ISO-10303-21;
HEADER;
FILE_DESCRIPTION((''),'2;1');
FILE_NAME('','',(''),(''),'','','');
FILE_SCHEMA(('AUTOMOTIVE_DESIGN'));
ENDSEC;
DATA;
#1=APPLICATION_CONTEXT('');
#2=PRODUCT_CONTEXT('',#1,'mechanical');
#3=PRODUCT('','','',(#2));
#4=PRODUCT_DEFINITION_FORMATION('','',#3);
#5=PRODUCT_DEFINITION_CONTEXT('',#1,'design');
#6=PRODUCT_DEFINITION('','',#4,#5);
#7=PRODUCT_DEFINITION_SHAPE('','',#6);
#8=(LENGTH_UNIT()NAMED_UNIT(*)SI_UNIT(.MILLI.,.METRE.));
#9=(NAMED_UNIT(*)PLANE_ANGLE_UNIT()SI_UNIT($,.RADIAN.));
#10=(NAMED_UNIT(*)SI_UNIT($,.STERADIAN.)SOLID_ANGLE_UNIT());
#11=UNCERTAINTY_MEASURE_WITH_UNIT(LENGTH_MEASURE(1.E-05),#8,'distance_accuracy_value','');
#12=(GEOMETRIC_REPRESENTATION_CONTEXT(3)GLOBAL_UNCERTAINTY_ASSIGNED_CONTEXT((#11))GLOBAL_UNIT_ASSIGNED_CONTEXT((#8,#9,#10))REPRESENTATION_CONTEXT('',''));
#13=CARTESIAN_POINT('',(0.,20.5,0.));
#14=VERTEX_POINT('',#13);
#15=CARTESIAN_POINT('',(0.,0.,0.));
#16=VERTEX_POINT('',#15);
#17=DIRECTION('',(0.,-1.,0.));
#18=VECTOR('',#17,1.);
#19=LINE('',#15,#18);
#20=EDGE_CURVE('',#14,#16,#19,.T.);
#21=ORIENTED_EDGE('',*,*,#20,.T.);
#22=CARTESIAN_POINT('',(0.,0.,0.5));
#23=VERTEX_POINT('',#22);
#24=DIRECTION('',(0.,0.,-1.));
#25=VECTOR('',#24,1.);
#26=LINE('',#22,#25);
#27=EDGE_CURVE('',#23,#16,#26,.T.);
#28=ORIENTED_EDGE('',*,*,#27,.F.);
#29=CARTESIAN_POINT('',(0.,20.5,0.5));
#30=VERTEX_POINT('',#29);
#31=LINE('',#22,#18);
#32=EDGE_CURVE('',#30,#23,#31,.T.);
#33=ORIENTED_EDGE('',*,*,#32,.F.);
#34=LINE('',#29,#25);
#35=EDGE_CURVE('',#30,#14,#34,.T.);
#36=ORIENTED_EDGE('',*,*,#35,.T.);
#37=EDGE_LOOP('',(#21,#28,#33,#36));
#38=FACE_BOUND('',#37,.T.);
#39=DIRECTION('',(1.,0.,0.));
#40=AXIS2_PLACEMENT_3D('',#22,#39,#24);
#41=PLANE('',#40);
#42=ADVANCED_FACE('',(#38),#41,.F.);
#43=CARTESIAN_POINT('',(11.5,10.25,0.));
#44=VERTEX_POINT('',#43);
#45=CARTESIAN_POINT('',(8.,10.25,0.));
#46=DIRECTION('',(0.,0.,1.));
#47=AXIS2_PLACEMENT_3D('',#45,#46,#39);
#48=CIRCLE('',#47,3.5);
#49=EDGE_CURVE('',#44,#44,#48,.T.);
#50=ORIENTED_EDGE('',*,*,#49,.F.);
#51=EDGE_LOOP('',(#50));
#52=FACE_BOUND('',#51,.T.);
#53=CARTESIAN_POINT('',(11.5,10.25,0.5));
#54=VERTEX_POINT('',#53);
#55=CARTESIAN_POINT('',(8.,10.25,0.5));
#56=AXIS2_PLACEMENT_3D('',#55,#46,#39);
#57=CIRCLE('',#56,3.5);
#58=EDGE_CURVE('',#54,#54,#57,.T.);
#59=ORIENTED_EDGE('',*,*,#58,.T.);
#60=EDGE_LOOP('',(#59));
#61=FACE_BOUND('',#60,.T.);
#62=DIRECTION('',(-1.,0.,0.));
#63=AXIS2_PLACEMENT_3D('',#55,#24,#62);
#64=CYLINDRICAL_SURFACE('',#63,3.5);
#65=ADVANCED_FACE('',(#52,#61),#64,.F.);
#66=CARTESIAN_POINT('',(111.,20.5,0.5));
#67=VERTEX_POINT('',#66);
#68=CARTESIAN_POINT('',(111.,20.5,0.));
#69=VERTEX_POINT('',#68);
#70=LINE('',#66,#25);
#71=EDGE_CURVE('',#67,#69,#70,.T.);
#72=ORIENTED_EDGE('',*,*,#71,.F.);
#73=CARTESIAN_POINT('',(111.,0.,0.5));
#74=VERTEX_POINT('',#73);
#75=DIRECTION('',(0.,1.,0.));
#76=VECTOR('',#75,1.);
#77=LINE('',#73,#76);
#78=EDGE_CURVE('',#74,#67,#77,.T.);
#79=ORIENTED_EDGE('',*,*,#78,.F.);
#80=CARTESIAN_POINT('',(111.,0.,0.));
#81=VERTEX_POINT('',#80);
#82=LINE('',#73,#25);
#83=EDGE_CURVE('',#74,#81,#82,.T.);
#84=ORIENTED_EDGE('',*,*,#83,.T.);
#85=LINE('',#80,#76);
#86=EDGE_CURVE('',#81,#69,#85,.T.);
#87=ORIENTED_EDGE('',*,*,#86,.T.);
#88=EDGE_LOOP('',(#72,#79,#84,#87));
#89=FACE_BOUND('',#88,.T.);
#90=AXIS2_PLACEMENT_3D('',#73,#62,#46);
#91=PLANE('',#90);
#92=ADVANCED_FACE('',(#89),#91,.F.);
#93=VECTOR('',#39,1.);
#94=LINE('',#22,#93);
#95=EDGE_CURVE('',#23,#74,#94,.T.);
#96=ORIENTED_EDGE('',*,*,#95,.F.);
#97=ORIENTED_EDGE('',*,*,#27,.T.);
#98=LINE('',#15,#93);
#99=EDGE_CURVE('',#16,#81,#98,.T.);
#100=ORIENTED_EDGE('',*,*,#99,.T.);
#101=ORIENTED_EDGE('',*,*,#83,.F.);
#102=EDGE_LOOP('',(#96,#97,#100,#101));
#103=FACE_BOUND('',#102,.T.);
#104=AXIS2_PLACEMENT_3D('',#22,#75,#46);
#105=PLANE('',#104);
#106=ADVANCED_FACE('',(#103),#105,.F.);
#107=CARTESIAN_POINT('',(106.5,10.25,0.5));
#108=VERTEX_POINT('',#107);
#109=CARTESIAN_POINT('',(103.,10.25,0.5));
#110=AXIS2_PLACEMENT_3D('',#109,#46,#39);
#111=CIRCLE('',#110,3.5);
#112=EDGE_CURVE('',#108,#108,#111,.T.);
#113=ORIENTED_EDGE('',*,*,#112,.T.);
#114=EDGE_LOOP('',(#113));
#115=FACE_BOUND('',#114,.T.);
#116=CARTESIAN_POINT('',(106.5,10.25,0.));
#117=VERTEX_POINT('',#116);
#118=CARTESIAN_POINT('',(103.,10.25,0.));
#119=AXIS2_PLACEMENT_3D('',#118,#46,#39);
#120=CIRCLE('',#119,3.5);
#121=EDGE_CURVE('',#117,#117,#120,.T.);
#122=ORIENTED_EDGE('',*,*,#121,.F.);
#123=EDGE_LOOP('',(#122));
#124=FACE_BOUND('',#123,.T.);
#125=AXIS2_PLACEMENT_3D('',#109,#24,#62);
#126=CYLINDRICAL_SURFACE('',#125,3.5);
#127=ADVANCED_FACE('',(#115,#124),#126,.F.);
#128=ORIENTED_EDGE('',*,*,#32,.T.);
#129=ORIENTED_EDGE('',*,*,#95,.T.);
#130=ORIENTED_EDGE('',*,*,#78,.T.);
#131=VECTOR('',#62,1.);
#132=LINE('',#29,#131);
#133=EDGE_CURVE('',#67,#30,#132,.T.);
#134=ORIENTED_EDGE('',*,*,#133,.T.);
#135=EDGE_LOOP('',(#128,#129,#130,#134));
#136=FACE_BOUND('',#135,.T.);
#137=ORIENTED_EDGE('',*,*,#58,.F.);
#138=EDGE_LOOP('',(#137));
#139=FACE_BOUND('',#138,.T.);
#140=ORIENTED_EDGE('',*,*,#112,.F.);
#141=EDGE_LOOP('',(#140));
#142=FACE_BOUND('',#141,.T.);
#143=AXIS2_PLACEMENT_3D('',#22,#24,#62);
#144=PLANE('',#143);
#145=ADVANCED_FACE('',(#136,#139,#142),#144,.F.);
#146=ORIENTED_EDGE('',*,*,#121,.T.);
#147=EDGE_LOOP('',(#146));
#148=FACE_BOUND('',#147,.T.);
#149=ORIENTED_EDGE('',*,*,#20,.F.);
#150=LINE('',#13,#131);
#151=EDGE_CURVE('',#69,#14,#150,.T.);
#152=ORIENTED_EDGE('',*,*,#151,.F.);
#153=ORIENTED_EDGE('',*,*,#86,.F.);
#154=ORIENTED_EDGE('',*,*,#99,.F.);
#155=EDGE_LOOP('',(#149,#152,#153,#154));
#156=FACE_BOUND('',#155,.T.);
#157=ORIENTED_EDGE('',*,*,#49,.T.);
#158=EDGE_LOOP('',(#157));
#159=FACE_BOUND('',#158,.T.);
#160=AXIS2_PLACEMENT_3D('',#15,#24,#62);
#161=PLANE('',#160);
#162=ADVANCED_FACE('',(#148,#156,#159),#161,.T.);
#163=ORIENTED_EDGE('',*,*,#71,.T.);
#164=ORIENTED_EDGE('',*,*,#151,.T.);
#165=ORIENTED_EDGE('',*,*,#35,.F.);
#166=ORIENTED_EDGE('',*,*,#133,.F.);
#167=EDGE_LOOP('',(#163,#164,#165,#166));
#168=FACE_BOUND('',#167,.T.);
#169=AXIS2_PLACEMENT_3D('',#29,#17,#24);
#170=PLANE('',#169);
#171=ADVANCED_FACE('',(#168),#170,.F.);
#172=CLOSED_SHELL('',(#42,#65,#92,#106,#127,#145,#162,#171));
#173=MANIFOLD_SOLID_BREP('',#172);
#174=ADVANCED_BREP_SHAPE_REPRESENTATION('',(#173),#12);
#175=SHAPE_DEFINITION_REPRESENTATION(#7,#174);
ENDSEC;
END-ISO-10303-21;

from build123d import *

# Parameters (mm, degrees)
SKETCH1_W           = 111
SKETCH1_H           = 20.5
SKETCH1_R           = 3.5
BOSS_EXTRUDE1_DEPTH = 0.5


with BuildPart() as part:
    # Sketch1 → Boss-Extrude1 (new body)
    with BuildSketch(Plane.XY):
        with Locations((55.5, 10.25)):
            Rectangle(SKETCH1_W, SKETCH1_H)
        with Locations((8, 10.25)):
            Circle(SKETCH1_R, mode=Mode.SUBTRACT)
        with Locations((103, 10.25)):
            Circle(SKETCH1_R, mode=Mode.SUBTRACT)
    extrude(amount=BOSS_EXTRUDE1_DEPTH)


solid = part.part
